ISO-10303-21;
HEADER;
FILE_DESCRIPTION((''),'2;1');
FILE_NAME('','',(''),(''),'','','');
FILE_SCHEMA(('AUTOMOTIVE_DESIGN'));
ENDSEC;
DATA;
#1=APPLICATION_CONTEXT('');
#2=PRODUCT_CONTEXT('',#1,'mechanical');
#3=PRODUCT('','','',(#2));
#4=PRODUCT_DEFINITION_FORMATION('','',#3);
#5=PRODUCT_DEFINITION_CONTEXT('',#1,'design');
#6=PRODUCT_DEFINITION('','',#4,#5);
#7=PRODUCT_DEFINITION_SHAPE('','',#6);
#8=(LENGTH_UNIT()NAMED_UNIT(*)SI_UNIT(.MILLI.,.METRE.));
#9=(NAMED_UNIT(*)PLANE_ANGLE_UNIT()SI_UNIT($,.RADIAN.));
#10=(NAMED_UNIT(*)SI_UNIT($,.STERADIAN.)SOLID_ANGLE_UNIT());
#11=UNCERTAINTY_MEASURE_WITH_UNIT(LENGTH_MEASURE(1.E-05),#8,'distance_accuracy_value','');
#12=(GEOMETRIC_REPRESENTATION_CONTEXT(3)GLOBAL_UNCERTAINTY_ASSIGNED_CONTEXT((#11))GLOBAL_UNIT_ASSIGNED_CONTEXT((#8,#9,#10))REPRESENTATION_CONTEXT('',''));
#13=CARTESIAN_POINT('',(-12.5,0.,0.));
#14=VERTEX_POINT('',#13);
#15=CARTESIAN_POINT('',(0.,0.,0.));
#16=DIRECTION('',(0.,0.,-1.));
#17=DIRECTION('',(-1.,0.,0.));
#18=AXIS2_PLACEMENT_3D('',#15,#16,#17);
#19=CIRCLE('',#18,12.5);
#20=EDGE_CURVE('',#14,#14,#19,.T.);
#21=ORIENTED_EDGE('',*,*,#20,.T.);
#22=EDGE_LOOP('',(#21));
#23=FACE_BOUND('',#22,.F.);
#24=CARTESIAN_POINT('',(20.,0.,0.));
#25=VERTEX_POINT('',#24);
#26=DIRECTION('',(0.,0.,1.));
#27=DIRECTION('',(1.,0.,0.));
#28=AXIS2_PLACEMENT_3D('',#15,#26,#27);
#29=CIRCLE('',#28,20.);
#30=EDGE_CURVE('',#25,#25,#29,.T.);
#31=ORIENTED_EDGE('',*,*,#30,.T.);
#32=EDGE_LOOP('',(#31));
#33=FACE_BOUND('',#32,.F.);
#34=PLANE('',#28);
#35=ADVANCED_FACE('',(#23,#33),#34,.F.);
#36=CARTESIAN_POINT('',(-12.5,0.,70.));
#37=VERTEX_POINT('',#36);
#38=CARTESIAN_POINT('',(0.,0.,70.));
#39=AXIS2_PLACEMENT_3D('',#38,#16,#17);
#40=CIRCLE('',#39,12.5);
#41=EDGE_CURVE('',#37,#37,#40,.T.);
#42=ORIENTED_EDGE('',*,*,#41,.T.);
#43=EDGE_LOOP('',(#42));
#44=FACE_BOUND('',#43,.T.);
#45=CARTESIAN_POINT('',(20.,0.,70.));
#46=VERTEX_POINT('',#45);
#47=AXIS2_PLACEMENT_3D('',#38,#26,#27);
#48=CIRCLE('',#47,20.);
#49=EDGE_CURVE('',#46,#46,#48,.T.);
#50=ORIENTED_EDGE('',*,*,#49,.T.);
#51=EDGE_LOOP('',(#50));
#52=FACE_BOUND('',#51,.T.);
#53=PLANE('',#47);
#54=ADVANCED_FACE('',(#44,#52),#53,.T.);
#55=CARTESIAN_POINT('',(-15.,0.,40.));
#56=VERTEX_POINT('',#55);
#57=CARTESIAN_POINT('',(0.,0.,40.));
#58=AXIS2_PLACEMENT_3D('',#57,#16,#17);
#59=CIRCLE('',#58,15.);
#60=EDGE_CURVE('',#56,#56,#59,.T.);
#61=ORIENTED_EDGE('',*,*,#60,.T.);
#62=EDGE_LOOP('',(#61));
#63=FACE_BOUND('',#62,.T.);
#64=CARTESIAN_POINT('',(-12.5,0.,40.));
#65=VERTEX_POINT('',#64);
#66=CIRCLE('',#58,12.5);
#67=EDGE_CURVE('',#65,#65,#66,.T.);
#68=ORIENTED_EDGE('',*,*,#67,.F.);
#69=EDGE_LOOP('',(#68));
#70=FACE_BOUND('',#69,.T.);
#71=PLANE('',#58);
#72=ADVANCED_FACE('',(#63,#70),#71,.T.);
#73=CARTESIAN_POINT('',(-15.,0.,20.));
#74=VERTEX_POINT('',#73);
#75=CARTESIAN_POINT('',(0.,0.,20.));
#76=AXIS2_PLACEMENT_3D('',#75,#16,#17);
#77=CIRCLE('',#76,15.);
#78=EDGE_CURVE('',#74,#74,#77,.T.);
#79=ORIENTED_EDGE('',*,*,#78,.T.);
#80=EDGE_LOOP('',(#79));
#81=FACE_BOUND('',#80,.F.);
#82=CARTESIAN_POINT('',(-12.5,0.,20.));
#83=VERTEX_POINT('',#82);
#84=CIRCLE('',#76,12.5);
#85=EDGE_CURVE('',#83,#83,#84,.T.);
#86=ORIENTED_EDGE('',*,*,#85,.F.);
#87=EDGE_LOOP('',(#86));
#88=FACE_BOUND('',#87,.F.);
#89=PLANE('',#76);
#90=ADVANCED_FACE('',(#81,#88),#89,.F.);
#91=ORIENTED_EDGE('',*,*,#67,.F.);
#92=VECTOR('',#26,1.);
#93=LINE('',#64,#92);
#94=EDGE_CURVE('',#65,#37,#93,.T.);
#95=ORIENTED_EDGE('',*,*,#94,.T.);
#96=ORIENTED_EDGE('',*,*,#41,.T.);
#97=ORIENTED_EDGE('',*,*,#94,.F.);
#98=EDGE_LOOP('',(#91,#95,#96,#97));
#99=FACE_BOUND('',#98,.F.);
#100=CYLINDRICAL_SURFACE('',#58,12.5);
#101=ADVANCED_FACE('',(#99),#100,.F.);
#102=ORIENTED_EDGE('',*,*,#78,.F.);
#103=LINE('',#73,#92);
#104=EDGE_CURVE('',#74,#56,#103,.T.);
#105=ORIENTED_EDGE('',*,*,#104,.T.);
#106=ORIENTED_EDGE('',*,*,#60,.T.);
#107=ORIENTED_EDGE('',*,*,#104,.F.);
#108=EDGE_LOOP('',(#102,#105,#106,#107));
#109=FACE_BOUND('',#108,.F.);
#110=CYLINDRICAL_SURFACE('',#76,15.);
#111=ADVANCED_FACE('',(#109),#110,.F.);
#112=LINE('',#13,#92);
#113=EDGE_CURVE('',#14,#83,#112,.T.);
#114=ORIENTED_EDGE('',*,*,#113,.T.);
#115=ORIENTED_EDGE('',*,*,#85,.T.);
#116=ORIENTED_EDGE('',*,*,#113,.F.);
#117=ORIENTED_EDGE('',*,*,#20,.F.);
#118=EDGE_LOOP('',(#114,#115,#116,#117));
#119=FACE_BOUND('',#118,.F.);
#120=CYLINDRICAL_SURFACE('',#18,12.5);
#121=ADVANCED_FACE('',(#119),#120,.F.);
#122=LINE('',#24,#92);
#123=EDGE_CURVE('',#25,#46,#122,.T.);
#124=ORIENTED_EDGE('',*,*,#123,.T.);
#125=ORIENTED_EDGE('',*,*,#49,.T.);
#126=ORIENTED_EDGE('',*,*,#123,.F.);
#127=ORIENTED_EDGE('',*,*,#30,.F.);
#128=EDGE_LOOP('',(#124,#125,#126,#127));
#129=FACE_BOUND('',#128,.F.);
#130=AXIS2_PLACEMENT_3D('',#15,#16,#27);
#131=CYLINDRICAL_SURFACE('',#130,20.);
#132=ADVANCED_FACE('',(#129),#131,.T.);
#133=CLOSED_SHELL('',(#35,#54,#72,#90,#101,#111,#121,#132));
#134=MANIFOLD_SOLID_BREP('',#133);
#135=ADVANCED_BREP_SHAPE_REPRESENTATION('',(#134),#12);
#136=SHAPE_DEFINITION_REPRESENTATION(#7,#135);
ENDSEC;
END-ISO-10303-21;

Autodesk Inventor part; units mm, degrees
ref_plane "YZ Plane" through (0, 0, 0) normal (1, 0, 0) x (0, 1, 0)
ref_plane "XZ Plane" through (0, 0, 0) normal (0, 1, 0) x (-1, 0, 0)
ref_plane "XY Plane" through (0, 0, 0) normal (0, 0, 1) x (1, 0, 0)
sketch "스케치1" plane through (0, 0, 0) normal (0, 0, 1) x (1, 0, 0)
  circle A0 centre (0, 0) radius 20
  dimension "d0" = 40
extrude "돌출1" add sketch "스케치1" along normal blind 70
sketch "스케치2" plane through (0, 0, 0) normal (0, 0, -1) x (-1, 0, 0)
  circle A0 centre (0, 0) radius 12.5
  dimension "d3" = 25
extrude "돌출2" cut sketch "스케치2" against normal blind 20
sketch "스케치3" plane through (0, 0, 20) normal (0, 0, -1) x (-1, 0, 0)
  circle A0 centre (0, 0) radius 15
  dimension "d6" = 30
extrude "돌출3" cut sketch "스케치3" against normal blind 20
sketch "스케치4" plane through (0, 0, 40) normal (0, 0, -1) x (-1, 0, 0)
  circle A0 centre (0, 0) radius 12.5
  dimension "d9" = 25
extrude "돌출4" cut sketch "스케치4" against normal up to next
properties part number "기본 투상 연습3"
